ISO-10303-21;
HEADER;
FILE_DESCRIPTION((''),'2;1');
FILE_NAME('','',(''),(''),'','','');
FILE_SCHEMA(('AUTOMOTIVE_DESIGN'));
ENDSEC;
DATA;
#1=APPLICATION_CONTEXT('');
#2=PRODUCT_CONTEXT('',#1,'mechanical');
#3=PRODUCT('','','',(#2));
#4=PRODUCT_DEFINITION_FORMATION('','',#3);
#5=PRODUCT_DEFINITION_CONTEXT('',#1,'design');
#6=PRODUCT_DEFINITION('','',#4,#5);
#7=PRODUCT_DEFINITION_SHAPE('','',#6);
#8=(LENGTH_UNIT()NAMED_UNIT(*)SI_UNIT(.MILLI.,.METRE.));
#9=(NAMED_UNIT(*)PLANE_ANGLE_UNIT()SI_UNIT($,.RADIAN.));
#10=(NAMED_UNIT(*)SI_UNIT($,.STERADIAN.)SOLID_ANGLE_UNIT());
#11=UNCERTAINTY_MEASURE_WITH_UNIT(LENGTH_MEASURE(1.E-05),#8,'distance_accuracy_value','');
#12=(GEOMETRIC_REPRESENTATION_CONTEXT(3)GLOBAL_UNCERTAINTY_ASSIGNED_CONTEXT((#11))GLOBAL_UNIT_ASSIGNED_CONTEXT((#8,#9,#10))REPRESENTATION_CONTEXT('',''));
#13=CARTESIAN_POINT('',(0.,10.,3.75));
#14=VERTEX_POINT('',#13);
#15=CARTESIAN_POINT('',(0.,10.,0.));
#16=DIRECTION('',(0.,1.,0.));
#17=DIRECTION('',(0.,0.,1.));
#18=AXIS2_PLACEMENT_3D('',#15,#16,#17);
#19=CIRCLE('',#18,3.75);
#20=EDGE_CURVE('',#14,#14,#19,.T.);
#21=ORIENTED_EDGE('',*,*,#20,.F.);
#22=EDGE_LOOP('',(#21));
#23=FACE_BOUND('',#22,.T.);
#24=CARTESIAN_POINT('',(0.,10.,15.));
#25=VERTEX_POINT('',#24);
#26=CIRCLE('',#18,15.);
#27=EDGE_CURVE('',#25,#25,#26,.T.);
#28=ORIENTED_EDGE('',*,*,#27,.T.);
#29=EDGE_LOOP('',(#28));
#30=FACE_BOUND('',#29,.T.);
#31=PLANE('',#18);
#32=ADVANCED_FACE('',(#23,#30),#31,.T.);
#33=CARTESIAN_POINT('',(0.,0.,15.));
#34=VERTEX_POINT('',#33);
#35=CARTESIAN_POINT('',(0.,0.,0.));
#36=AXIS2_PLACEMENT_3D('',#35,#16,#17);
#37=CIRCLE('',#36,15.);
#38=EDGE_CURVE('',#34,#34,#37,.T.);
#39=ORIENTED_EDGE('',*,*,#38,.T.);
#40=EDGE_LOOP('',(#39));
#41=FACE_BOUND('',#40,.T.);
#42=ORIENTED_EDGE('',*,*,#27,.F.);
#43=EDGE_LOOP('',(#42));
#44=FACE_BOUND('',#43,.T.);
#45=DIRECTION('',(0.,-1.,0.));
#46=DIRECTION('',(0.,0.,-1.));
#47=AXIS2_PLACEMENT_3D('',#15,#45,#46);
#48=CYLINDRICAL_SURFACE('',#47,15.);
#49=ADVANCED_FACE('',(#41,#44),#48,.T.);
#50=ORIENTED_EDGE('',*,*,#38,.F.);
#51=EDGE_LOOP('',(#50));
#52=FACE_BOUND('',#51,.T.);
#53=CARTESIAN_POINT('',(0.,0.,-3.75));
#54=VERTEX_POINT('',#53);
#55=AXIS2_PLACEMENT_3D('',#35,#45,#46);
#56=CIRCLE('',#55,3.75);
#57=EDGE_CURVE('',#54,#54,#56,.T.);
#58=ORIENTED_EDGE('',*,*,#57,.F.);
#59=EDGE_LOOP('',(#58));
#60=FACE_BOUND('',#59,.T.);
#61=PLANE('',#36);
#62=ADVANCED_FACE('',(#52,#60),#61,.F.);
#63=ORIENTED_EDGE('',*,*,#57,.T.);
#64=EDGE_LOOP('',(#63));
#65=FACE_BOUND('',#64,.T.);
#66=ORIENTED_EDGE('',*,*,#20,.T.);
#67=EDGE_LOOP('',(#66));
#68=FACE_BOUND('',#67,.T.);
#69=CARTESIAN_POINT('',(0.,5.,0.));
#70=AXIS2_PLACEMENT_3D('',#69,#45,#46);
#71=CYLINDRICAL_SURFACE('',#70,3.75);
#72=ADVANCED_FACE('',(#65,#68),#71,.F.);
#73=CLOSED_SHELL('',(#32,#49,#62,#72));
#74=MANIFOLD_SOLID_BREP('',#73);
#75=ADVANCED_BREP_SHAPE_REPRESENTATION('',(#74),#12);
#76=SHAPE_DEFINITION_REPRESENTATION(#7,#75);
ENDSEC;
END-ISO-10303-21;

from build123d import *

# Parameters (mm, degrees)
SKETCH1_R           = 15
BOSS_EXTRUDE1_DEPTH = 10
SKETCH2_R           = 3.75
CUT_EXTRUDE1_DEPTH  = 5
SKETCH3_R           = 3.75
CUT_EXTRUDE2_DEPTH  = 24.452078799


with BuildPart() as part:
    # Sketch1 → Boss-Extrude1 (new body)
    with BuildSketch(Plane(origin=(0, 0, 0), x_dir=(1, 0, 0), z_dir=(0, 1, 0))):
        with Locations(Location((0, 0, 0), (0, 0, 270))):
            Circle(SKETCH1_R)
    extrude(amount=BOSS_EXTRUDE1_DEPTH)

    # Sketch2 → Cut-Extrude1 (cut)
    with BuildSketch(Plane.XZ):
        with Locations(Location((0, 0, 0), (0, 0, 270))):
            Circle(SKETCH2_R)
    extrude(amount=-CUT_EXTRUDE1_DEPTH, mode=Mode.SUBTRACT)

    # Sketch3 → Cut-Extrude2 (cut, through all)
    with BuildSketch(Plane(origin=(0, 10, 0), x_dir=(1, 0, 0), z_dir=(0, 1, 0))):
        with Locations(Location((0, 0, 0), (0, 0, 90))):
            Circle(SKETCH3_R)
    extrude(amount=-CUT_EXTRUDE2_DEPTH, mode=Mode.SUBTRACT)


solid = part.part
